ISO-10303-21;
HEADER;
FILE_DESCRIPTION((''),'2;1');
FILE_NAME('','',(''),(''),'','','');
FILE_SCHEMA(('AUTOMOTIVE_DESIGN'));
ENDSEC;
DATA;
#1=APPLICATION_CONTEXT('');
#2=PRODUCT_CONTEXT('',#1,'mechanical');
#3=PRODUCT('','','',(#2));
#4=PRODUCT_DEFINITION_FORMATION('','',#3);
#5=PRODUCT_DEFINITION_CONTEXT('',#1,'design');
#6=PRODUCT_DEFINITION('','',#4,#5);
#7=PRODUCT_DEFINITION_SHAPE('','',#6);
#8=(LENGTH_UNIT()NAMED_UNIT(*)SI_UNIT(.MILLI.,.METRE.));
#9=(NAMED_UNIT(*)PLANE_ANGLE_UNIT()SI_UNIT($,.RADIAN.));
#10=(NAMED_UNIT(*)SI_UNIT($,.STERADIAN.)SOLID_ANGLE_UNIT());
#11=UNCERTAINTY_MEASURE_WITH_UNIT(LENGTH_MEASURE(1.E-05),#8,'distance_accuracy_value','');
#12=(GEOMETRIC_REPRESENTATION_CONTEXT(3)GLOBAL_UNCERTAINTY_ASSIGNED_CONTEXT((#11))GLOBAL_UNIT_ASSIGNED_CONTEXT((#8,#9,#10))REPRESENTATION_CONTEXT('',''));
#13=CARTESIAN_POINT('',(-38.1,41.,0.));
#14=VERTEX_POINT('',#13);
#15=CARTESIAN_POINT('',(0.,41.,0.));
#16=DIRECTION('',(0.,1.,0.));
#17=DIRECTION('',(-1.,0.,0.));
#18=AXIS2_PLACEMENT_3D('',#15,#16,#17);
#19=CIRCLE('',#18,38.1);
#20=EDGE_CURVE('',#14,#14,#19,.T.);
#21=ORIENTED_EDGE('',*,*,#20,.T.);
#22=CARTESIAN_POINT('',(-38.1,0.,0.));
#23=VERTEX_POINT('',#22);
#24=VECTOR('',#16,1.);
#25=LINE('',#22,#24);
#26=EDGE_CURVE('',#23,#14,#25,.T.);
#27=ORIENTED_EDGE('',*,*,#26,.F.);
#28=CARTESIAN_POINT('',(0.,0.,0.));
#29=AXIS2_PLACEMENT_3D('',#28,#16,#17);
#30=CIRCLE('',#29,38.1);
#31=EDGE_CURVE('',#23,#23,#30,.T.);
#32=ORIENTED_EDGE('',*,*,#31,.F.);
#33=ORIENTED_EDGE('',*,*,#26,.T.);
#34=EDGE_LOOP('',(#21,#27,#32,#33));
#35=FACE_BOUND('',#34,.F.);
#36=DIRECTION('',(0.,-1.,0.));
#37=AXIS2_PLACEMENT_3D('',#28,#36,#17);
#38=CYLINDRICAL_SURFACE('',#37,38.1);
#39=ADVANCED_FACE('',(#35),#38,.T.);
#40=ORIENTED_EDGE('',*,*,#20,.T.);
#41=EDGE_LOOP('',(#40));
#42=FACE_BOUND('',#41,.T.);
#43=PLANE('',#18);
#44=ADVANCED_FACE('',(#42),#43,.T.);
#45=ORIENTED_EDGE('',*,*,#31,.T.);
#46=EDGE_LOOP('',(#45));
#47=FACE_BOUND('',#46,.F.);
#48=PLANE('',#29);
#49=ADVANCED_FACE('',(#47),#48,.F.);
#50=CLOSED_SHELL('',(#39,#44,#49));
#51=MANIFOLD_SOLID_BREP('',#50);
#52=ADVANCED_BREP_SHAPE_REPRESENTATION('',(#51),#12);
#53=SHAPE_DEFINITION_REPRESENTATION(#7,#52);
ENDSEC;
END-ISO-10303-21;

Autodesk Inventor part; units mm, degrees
ref_plane "YZ Plane" through (0, 0, 0) normal (1, 0, 0) x (0, 1, 0)
ref_plane "XZ Plane" through (0, 0, 0) normal (0, 1, 0) x (-1, 0, 0)
ref_plane "XY Plane" through (0, 0, 0) normal (0, 0, 1) x (1, 0, 0)
sketch "Sketch1" plane through (0, 0, 0) normal (0, 1, 0) x (-1, 0, 0)
  circle A0 centre (0, 0) radius 38.1
  dimension "d0" = 76.2
extrude "Extrusion1" add sketch "Sketch1" along normal blind 41
properties part number "RPLIDAR A2M8 360° Laser Range Scanner"
